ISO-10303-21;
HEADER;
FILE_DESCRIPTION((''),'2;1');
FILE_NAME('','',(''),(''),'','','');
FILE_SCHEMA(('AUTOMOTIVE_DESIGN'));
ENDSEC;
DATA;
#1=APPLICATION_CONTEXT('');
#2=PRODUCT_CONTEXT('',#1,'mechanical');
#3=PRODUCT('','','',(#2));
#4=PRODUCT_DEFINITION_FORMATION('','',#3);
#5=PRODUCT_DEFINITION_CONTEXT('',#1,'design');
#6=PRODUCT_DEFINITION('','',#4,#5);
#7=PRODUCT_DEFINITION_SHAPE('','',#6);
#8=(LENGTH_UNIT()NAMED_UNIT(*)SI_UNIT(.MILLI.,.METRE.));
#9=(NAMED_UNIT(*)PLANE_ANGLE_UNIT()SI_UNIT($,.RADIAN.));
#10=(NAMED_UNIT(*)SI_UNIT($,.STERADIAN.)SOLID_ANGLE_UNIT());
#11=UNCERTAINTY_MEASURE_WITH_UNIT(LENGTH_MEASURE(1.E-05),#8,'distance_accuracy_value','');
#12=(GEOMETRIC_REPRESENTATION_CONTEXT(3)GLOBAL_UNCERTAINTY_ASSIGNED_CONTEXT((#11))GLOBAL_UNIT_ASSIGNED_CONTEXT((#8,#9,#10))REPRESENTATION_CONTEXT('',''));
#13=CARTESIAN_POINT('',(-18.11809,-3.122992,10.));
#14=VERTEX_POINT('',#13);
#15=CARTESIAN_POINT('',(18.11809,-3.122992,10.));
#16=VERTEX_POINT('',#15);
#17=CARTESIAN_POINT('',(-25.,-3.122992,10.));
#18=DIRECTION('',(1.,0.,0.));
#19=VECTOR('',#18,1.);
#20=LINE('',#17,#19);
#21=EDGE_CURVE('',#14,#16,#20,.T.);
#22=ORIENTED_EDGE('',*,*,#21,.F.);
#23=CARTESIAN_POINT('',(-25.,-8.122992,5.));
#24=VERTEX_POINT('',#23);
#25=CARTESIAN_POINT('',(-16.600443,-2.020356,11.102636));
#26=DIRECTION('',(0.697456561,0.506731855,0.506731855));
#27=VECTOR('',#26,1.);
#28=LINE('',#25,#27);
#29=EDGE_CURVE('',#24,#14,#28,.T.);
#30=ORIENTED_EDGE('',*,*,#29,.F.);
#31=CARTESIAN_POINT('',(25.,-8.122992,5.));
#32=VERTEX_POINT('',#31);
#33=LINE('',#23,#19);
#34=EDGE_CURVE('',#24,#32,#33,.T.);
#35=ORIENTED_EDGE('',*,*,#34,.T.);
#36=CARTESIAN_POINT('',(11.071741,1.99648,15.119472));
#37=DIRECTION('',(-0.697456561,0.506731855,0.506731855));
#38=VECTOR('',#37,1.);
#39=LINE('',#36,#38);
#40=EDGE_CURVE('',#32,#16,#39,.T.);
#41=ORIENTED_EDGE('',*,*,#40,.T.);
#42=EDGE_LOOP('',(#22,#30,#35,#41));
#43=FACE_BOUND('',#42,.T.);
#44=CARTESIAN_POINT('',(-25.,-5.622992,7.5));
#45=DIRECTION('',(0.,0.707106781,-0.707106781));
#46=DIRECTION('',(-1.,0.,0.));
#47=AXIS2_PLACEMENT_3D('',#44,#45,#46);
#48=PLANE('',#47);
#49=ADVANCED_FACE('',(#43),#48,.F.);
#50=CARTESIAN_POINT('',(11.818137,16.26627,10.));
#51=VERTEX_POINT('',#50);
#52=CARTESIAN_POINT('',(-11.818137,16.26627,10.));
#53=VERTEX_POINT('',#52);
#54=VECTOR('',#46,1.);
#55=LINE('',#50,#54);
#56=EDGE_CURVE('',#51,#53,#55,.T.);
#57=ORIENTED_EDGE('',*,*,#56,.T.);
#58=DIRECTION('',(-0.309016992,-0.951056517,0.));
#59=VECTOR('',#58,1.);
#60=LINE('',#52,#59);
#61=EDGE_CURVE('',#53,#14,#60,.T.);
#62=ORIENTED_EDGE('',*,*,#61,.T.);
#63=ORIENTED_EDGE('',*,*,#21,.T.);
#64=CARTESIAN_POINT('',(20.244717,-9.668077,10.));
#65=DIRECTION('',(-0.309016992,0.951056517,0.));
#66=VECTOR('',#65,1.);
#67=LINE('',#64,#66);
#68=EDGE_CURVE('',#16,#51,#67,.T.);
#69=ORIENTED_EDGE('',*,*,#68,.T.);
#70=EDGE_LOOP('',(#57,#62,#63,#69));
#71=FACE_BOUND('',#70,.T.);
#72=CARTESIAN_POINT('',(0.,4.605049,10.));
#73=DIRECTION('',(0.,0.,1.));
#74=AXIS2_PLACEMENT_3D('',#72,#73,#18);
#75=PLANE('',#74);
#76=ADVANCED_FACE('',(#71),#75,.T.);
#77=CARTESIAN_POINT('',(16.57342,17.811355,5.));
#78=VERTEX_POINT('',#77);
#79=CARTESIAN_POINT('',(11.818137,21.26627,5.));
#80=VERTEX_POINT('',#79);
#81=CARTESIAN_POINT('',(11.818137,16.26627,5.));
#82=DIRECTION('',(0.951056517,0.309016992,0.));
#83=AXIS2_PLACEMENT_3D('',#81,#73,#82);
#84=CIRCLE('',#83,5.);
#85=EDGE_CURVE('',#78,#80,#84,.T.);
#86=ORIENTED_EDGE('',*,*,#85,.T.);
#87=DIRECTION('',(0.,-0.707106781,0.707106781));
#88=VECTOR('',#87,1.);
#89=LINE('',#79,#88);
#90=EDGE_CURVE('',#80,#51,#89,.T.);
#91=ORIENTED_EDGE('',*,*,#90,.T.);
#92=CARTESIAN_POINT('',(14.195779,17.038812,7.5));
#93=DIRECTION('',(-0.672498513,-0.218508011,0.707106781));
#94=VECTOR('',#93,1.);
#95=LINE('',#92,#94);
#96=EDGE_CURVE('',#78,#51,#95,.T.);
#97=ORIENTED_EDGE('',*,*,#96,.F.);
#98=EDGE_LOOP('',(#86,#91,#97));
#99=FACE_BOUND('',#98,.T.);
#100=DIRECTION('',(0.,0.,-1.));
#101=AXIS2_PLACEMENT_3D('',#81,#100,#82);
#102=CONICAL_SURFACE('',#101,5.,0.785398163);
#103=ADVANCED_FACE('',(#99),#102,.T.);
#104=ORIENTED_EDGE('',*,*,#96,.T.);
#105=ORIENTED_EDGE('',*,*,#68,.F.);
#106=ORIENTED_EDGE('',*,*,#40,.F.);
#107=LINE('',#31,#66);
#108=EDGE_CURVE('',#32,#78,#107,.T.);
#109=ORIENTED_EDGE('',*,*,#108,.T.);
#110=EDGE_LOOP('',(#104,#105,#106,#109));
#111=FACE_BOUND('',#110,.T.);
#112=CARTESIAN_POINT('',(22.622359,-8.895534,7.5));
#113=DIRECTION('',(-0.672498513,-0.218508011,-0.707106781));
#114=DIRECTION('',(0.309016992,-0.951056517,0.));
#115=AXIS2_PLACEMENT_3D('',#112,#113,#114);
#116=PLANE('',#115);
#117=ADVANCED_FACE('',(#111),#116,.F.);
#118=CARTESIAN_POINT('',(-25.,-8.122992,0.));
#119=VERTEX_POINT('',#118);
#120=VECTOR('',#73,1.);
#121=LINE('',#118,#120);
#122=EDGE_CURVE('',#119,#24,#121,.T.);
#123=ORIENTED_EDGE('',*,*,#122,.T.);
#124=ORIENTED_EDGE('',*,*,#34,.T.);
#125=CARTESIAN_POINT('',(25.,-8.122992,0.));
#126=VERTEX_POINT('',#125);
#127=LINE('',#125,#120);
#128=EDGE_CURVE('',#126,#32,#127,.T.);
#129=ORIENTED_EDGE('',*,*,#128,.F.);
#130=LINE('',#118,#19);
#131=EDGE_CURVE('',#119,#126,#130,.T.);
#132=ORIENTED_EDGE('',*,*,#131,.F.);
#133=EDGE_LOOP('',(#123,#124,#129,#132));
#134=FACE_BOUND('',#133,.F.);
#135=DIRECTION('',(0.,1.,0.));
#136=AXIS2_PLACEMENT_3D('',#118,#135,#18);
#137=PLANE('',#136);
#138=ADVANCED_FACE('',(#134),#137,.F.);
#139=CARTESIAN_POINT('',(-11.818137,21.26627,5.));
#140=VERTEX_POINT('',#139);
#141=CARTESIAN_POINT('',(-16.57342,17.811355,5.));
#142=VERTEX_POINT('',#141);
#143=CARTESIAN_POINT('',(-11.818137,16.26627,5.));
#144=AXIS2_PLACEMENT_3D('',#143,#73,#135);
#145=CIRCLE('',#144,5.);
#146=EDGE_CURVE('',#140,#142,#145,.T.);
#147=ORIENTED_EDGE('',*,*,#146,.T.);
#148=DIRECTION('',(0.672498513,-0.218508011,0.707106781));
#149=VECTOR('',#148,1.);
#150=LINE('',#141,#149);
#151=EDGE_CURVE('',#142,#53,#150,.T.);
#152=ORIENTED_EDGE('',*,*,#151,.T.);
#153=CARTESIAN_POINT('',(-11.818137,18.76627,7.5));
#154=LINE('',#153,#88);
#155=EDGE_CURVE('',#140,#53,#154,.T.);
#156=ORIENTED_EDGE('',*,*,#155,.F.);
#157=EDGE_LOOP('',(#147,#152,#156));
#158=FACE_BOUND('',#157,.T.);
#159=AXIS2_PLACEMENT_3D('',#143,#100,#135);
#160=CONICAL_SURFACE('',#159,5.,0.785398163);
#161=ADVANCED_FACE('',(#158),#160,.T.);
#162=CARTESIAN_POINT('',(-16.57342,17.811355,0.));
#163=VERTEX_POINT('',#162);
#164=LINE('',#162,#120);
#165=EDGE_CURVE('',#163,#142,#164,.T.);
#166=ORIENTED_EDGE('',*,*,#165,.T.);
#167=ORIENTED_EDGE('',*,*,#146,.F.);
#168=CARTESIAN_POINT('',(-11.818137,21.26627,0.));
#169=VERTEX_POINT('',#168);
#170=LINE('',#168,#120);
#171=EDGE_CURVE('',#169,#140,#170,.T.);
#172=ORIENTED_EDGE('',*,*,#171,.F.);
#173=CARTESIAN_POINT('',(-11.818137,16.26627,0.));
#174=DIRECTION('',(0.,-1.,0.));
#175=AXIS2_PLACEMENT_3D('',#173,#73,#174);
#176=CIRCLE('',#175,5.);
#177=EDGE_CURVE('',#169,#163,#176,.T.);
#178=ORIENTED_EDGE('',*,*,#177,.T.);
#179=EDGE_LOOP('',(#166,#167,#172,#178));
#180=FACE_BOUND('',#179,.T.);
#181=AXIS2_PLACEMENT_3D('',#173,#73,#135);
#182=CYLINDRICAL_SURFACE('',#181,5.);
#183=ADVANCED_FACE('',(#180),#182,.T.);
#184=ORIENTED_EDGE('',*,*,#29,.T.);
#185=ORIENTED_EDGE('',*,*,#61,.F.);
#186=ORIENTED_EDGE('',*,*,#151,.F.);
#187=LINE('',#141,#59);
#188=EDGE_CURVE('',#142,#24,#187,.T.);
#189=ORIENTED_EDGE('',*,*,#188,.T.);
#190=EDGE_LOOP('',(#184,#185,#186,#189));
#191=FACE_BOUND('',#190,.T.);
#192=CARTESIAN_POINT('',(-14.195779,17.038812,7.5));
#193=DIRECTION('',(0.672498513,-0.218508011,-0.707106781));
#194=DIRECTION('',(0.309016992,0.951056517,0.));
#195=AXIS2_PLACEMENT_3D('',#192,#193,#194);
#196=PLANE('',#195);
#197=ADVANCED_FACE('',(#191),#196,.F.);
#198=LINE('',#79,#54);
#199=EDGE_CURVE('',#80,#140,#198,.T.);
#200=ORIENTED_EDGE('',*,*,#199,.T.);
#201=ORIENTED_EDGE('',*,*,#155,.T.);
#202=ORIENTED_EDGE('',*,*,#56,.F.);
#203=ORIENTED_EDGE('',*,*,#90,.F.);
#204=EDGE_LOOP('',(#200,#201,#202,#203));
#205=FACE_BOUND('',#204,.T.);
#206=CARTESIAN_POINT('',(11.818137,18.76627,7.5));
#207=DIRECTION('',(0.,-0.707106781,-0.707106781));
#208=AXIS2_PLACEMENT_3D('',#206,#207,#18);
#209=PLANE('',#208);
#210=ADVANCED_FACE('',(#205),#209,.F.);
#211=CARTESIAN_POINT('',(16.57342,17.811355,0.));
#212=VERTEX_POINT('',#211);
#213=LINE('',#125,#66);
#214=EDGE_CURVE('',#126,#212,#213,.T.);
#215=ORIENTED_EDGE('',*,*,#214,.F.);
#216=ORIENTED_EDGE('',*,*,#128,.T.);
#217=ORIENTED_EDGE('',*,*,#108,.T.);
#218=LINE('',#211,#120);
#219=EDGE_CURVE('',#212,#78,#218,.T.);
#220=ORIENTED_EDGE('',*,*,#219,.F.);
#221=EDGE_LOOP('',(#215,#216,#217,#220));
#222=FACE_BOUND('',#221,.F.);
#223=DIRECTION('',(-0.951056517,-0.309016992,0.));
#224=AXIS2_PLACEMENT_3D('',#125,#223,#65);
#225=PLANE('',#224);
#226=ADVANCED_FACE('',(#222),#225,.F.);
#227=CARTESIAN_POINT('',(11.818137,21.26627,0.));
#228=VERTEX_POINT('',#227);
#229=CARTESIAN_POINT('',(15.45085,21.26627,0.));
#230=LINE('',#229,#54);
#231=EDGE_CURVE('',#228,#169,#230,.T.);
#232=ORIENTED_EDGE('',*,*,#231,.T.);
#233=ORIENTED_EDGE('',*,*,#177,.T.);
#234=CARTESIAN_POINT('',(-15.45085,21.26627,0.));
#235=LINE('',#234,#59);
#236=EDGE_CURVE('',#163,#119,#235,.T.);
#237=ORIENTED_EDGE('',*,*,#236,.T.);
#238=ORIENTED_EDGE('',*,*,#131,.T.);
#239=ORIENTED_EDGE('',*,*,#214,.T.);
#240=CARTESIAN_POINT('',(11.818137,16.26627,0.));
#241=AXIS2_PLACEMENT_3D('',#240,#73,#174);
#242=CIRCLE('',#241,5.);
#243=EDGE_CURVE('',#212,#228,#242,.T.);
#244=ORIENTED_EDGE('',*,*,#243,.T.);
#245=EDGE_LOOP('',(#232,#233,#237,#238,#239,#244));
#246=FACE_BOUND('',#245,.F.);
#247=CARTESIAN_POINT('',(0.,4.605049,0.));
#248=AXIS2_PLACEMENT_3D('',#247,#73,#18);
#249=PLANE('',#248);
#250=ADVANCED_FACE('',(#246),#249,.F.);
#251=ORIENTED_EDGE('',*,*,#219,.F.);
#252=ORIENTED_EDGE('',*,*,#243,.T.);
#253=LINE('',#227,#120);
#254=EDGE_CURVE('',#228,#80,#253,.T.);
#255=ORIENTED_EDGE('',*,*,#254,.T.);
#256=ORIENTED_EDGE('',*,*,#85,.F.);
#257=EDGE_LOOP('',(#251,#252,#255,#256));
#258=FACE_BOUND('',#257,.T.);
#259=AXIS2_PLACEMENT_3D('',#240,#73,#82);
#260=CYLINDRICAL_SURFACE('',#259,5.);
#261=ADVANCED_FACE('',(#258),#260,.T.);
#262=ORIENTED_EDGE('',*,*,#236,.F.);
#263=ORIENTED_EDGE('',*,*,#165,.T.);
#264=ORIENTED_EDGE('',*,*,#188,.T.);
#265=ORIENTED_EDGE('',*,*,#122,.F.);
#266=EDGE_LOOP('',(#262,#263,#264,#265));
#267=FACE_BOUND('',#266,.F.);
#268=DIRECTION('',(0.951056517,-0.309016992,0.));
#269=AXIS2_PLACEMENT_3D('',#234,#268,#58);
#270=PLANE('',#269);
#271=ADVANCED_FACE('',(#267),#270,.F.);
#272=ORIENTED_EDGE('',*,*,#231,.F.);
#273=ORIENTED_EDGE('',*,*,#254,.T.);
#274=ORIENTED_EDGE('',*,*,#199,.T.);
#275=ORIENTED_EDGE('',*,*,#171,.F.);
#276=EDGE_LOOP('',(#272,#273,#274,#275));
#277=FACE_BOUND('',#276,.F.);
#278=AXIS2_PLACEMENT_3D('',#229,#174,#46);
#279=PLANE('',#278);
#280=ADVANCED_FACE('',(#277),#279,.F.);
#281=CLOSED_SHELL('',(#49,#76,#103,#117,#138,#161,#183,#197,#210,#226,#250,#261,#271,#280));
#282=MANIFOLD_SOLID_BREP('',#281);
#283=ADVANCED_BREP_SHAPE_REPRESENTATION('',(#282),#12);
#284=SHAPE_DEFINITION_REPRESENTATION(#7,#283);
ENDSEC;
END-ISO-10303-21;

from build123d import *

# Parameters (mm, degrees)
F1_DEPTH = 10
F2_R     = 5
F3_R     = 5
F4_SIZE  = 5


with BuildPart() as f1:
    # F0 (on Top) → F1 (new body)
    with BuildSketch(Plane.XY):
        Polygon((-15.45085, 21.26627), (-25, -8.122992), (25, -8.122992), (15.45085, 21.26627), align=None)
    extrude(amount=F1_DEPTH)

    # F2
    f2_edges = [f1.edges().sort_by_distance(p)[0] for p in [
        (15.45085, 21.26627, 5),
    ]]
    fillet(f2_edges, radius=F2_R)

    # F3
    f3_edges = [f1.edges().sort_by_distance(p)[0] for p in [
        (-15.45085, 21.26627, 5),
    ]]
    fillet(f3_edges, radius=F3_R)

    # F4
    f4_edges = [f1.edges().sort_by_distance(p)[0] for p in [
        (0, 21.26627, 10),
        (-14.757063, 20.311355, 10),
        (14.757063, 20.311355, 10),
        (-20.78671, 4.844181, 10),
        (20.78671, 4.844181, 10),
        (0, -8.122992, 10),
    ]]
    chamfer(f4_edges, length=F4_SIZE)


solid = f1.part
